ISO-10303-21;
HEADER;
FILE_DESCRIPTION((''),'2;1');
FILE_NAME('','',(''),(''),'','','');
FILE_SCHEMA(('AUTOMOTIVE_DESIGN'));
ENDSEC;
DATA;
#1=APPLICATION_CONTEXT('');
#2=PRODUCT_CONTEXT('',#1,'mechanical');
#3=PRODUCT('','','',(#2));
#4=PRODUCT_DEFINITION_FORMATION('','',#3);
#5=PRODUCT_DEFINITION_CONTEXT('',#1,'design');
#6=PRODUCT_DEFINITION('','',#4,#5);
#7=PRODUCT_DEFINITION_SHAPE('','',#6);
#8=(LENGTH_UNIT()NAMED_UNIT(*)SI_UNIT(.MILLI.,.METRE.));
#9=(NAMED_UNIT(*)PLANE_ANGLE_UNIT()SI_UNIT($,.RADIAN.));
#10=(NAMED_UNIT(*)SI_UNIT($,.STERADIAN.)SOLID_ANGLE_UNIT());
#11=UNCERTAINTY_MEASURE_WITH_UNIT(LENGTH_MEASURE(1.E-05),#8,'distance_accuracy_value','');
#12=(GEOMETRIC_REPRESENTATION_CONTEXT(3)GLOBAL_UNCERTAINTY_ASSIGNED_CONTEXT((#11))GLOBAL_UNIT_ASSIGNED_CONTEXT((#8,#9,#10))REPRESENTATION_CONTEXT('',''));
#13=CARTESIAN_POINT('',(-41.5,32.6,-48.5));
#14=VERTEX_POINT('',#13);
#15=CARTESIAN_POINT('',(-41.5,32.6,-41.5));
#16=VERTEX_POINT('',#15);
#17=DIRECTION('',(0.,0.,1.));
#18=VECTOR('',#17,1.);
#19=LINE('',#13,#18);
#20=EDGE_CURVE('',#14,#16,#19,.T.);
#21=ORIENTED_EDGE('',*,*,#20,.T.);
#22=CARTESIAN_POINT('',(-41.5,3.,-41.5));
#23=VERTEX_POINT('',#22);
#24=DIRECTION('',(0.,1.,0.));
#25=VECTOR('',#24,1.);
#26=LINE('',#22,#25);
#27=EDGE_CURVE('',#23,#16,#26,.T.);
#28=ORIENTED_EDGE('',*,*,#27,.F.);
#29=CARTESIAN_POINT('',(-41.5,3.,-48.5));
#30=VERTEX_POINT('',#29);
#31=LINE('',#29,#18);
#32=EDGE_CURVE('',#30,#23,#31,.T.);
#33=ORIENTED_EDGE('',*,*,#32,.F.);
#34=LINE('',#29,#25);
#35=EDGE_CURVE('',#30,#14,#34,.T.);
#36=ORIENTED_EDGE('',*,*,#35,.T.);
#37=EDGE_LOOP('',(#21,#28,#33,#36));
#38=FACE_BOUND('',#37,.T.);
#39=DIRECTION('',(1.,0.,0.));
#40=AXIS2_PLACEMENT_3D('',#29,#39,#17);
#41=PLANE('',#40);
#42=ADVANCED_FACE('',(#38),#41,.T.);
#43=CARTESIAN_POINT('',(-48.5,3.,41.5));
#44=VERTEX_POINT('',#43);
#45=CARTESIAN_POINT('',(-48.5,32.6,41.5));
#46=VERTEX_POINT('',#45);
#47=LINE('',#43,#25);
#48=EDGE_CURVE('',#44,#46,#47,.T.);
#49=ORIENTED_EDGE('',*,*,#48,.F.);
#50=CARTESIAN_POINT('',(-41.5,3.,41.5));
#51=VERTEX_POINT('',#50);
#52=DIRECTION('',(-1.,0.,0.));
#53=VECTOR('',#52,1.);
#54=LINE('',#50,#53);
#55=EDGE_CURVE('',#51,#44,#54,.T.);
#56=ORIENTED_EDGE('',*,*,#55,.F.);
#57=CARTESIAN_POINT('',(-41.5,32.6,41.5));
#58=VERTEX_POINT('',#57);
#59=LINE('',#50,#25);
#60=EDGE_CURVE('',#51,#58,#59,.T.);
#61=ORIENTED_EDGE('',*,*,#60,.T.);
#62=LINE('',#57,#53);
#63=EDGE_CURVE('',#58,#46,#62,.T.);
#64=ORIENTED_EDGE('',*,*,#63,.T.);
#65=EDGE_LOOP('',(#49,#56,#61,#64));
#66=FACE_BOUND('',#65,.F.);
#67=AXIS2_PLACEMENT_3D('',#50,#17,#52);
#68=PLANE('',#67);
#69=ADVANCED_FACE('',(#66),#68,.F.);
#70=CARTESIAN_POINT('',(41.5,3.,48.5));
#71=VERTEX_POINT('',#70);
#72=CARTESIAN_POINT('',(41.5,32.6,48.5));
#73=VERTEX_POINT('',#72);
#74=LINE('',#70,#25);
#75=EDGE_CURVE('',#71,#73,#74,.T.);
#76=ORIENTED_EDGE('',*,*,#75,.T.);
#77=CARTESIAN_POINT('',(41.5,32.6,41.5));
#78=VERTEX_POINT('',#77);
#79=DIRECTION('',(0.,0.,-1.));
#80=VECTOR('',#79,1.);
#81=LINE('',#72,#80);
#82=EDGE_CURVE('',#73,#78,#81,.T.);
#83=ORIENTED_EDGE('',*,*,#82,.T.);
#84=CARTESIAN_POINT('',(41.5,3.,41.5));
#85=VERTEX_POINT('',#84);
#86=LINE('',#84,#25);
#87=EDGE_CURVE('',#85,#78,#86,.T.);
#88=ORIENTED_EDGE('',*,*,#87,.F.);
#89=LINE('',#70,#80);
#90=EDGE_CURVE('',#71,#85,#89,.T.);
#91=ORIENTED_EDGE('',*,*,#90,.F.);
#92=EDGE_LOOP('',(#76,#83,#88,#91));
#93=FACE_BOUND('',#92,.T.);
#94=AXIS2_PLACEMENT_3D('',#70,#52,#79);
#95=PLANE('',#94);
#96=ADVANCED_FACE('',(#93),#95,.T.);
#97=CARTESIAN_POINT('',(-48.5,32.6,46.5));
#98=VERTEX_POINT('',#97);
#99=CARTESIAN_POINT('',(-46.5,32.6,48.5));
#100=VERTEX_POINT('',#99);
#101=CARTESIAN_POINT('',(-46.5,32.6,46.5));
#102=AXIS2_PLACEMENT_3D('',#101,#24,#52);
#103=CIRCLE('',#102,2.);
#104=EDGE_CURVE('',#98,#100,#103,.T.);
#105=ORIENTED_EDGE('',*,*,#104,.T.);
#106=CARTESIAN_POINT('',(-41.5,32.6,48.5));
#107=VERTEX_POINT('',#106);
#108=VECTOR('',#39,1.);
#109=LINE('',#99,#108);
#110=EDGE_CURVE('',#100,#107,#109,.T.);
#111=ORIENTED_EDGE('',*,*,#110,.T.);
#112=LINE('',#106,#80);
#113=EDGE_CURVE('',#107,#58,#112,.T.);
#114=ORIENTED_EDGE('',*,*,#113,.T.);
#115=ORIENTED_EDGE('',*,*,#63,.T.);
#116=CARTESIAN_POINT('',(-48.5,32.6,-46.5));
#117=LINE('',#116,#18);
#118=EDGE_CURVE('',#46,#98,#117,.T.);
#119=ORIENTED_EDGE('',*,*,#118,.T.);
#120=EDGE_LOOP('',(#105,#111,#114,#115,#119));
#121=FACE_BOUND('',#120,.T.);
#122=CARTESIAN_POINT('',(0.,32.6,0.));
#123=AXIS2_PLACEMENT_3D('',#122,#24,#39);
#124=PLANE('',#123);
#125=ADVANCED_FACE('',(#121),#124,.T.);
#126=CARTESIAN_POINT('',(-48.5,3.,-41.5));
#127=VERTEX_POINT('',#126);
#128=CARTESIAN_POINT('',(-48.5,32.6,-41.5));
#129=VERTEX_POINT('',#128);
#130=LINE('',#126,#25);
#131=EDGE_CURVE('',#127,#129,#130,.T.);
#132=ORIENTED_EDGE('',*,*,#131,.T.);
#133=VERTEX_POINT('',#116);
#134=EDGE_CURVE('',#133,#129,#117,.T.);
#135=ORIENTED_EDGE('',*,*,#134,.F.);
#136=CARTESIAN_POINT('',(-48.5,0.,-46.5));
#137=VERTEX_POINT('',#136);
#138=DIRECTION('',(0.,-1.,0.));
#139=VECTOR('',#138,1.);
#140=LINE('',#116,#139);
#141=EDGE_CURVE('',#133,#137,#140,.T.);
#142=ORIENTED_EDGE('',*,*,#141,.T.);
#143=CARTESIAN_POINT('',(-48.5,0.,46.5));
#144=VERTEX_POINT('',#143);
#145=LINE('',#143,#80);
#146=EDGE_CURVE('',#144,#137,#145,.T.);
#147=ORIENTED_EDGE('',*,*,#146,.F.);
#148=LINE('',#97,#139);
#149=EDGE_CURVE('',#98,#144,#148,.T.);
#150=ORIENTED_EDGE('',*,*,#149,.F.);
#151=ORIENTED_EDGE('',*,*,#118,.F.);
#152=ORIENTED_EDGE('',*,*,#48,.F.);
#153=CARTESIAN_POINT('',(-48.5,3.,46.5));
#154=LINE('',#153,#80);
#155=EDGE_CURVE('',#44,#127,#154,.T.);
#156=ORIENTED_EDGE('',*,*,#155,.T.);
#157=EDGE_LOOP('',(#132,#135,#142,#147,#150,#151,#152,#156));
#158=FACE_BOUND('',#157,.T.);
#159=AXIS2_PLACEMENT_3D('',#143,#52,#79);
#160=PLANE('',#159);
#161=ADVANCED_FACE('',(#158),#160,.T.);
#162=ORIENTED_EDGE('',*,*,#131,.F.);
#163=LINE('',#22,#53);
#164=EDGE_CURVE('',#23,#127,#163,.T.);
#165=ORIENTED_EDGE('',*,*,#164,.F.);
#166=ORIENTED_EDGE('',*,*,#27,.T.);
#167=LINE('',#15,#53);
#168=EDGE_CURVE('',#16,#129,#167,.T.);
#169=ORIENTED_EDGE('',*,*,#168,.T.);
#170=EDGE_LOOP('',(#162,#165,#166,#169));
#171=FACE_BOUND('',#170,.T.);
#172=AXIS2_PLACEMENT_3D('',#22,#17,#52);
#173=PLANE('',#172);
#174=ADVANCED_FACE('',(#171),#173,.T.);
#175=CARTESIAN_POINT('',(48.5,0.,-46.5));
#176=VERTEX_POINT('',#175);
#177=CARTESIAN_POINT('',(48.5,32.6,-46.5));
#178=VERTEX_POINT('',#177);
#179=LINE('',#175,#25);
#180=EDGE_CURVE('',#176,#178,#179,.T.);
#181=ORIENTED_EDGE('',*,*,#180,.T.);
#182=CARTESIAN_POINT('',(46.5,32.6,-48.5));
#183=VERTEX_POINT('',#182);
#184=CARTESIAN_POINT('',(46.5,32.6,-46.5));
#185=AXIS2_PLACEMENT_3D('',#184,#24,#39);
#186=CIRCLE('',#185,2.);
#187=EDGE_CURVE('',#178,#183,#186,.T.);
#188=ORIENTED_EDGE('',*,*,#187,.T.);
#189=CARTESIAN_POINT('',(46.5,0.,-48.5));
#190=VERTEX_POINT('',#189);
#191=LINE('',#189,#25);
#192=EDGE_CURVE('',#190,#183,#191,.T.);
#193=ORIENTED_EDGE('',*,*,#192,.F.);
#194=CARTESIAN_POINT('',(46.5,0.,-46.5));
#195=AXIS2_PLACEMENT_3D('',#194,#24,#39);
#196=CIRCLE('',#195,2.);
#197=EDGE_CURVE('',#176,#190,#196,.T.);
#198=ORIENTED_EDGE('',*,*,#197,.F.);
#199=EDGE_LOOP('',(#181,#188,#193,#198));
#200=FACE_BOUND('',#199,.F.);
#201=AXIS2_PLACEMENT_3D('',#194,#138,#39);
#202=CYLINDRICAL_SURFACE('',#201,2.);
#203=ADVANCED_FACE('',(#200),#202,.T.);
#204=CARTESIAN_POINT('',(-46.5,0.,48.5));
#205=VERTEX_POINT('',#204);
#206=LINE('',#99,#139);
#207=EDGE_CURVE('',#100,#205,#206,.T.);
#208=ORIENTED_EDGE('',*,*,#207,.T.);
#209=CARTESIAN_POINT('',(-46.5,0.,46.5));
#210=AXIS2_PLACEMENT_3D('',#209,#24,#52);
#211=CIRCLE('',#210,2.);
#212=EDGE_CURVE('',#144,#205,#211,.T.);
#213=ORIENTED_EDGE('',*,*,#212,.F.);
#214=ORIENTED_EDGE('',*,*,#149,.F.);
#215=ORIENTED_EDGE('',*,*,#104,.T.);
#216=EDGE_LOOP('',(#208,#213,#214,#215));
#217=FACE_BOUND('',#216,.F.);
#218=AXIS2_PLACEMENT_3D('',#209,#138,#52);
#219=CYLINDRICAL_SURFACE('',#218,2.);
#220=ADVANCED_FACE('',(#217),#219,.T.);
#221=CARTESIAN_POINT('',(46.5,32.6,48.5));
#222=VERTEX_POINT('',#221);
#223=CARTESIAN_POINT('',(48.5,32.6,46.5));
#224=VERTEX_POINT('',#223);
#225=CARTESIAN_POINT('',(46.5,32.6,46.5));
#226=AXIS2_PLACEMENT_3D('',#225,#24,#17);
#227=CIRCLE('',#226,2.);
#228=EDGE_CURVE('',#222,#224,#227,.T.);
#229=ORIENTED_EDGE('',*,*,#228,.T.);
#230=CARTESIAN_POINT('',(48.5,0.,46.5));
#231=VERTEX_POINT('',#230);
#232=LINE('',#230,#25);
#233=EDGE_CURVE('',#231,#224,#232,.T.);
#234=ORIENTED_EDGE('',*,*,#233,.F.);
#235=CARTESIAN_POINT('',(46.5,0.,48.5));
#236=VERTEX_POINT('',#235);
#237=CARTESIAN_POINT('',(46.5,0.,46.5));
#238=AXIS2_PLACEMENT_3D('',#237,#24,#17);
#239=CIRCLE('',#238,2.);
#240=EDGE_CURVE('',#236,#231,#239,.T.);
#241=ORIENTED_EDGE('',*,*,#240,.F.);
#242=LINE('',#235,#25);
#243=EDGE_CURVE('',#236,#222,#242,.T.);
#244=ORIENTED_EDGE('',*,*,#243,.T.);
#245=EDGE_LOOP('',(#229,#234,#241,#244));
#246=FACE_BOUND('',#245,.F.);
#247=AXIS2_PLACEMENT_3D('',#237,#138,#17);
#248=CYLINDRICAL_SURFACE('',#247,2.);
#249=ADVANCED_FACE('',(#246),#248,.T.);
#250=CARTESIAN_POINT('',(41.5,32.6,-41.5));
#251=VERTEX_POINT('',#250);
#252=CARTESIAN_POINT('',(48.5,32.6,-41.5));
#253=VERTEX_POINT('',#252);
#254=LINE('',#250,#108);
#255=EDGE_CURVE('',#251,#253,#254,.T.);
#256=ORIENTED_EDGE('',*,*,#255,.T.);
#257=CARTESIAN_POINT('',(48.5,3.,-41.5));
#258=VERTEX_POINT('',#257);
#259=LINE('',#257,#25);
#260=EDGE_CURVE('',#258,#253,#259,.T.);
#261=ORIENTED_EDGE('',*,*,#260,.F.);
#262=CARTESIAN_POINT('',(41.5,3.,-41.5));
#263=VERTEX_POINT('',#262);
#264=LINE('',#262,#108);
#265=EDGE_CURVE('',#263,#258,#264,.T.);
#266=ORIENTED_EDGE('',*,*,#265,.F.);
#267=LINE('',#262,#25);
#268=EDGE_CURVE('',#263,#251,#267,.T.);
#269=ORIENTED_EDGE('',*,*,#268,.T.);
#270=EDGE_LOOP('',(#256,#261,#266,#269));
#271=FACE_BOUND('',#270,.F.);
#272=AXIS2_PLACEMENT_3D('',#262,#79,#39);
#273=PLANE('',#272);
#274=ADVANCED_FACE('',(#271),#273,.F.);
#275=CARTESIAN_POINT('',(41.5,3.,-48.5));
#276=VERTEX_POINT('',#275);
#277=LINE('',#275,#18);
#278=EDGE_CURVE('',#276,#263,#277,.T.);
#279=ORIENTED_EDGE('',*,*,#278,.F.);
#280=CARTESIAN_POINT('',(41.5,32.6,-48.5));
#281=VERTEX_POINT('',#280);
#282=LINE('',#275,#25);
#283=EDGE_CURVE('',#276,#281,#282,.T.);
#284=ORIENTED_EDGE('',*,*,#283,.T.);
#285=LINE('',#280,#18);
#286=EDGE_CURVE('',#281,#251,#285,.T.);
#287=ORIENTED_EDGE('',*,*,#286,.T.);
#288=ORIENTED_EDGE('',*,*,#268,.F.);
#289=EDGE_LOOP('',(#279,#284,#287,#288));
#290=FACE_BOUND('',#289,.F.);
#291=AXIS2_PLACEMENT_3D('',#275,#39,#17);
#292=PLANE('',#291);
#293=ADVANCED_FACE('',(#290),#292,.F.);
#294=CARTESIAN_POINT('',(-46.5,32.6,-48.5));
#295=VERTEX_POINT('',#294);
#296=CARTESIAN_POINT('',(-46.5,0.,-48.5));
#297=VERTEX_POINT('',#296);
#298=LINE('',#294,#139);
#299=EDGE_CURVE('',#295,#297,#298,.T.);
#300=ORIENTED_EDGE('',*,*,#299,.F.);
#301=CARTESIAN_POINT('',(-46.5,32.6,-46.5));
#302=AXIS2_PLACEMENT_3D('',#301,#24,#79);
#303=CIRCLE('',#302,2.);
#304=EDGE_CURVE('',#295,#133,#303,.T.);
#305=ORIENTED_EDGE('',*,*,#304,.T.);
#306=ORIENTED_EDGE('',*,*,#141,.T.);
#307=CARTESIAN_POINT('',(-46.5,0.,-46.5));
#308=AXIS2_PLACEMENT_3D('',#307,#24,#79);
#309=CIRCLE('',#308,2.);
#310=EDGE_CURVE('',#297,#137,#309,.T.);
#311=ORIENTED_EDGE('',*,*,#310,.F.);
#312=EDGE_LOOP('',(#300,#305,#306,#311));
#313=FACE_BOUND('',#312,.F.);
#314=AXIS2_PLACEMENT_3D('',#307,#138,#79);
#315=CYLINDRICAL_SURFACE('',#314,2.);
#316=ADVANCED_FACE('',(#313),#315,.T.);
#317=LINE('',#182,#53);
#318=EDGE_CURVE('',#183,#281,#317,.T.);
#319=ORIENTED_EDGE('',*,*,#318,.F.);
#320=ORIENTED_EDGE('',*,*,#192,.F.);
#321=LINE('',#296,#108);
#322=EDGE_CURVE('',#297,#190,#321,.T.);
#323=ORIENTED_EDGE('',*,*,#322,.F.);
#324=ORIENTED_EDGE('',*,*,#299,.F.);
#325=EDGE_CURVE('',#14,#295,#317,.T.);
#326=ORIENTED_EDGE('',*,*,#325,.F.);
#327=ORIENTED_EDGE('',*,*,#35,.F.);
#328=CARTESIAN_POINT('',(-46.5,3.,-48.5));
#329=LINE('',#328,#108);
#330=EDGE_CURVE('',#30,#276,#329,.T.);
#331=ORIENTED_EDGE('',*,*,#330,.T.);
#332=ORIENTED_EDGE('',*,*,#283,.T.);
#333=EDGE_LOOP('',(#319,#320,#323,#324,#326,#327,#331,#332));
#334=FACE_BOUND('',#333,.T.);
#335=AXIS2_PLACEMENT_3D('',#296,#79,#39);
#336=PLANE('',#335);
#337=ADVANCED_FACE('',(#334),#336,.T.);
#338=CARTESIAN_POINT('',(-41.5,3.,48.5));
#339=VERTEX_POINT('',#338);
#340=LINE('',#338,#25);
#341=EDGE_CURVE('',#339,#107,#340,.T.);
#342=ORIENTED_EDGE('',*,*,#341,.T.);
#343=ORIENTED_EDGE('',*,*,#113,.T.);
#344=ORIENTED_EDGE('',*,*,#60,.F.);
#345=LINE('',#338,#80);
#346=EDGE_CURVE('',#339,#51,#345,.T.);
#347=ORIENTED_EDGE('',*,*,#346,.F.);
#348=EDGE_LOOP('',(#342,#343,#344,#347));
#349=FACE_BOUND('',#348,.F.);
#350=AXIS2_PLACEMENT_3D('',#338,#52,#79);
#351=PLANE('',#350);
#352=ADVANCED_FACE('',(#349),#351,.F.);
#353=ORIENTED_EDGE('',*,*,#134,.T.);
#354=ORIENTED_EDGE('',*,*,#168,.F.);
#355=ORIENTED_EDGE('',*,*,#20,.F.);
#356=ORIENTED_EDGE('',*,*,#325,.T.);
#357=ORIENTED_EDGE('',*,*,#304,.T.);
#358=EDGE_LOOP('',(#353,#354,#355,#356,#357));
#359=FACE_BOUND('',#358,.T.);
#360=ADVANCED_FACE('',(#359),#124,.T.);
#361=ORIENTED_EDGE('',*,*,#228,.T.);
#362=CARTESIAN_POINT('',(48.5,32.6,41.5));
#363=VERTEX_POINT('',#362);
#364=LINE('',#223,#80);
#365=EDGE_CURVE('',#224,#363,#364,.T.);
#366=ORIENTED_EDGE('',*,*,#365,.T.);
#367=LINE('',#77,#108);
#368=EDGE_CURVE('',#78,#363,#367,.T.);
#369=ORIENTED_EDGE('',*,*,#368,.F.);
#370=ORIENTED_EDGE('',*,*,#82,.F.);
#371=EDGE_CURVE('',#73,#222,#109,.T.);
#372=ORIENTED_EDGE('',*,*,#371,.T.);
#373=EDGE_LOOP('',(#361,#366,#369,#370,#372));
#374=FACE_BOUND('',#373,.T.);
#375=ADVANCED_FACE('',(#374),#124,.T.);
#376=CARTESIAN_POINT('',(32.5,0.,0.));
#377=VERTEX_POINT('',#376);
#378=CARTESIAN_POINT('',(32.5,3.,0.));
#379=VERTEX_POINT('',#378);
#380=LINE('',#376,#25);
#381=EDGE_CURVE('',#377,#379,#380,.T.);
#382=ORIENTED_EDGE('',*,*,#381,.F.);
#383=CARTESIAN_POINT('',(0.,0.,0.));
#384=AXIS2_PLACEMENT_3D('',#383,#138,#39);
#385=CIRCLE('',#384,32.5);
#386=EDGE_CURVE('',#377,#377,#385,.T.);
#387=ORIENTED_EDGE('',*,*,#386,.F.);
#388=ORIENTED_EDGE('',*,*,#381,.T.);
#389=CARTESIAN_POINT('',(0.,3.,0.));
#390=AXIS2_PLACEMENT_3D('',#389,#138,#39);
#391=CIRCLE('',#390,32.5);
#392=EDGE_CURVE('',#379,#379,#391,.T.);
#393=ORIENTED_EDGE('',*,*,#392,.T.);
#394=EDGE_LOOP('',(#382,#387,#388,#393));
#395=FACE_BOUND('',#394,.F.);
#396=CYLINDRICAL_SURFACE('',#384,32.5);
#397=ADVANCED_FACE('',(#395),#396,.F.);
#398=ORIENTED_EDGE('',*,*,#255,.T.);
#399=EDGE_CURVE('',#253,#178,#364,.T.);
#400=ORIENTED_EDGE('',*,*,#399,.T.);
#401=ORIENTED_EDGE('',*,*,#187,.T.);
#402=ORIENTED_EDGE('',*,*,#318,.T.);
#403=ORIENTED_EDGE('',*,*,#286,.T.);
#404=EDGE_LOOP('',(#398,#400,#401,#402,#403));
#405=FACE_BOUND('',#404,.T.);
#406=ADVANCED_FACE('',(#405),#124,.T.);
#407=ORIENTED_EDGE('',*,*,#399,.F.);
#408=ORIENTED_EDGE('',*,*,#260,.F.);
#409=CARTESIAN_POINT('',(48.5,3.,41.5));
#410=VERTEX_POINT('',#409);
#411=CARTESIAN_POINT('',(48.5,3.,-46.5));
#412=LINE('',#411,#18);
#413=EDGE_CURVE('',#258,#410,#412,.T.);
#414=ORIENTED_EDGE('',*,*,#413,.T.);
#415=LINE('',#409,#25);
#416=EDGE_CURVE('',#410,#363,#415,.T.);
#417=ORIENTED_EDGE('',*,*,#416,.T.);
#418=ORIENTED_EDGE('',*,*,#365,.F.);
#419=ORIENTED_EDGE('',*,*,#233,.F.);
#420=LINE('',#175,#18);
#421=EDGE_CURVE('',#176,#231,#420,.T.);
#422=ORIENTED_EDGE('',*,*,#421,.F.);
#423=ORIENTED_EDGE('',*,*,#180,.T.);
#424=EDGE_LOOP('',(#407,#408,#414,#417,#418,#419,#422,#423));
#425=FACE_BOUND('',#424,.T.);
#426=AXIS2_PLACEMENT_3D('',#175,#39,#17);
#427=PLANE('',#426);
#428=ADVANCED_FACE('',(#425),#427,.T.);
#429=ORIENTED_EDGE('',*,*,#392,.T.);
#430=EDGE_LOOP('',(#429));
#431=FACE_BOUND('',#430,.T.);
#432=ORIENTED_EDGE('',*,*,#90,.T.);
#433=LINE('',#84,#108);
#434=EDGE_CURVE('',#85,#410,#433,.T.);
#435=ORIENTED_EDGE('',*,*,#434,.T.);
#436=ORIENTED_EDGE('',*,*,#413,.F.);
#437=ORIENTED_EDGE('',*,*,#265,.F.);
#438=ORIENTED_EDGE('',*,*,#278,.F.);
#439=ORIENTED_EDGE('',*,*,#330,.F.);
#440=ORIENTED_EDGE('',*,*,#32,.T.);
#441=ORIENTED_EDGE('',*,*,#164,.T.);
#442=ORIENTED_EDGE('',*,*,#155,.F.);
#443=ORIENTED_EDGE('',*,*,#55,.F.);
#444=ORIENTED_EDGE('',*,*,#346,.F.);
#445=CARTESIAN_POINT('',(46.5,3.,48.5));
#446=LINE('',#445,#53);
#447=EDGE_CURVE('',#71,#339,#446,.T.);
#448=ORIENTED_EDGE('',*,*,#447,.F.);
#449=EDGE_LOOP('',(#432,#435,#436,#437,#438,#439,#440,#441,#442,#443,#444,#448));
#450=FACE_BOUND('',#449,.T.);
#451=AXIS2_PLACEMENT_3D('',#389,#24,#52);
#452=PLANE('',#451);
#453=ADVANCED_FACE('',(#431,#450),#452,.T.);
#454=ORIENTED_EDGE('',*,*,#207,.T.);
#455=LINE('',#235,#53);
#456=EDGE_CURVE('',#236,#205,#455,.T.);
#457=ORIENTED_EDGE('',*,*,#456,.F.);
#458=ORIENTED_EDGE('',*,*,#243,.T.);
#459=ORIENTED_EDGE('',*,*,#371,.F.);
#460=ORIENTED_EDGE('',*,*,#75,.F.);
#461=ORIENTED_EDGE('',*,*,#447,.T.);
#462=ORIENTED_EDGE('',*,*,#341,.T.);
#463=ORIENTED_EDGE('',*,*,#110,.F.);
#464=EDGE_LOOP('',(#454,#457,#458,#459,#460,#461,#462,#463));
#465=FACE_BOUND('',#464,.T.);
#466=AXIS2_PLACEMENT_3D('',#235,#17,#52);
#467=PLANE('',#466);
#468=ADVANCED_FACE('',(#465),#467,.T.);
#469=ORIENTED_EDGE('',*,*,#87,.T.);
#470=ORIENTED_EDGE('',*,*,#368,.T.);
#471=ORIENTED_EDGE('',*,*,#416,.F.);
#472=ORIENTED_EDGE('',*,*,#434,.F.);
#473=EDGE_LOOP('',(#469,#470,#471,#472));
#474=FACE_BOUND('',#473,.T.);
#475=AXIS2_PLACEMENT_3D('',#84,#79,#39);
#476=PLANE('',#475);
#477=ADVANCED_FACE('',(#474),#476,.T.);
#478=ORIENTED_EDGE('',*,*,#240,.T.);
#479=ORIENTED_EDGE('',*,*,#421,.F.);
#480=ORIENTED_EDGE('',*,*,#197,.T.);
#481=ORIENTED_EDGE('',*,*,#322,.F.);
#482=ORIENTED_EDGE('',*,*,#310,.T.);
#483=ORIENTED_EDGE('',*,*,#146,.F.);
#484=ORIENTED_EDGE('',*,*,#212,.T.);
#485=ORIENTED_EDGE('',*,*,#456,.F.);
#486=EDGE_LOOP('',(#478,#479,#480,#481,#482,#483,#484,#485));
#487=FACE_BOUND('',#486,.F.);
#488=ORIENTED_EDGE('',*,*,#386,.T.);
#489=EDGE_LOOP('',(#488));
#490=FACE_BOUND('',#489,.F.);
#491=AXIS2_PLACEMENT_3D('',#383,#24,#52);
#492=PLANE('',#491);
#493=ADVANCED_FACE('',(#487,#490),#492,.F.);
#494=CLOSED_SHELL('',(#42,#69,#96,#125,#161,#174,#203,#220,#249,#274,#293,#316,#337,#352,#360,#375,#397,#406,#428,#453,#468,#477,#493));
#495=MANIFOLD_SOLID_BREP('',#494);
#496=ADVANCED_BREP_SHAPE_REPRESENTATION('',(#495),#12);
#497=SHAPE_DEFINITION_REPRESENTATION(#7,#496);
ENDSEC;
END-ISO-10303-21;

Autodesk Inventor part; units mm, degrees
ref_plane "YZ Plane" through (0, 0, 0) normal (1, 0, 0) x (0, 1, 0)
ref_plane "XZ Plane" through (0, 0, 0) normal (0, 1, 0) x (-1, 0, 0)
ref_plane "XY Plane" through (0, 0, 0) normal (0, 0, 1) x (1, 0, 0)
sketch "Esboço1" plane through (0, 0, 0) normal (0, 1, 0) x (-1, 0, 0)
  line L0 (-46.5, 48.5) -> (46.5, 48.5)
  line L1 (48.5, 46.5) -> (48.5, -46.5)
  line L2 (46.5, -48.5) -> (-46.5, -48.5)
  line L3 (-48.5, -46.5) -> (-48.5, 46.5)
  line L4 (-48.5, 48.5) -> (48.5, -48.5) construction
  line L5 (48.5, 48.5) -> (-48.5, -48.5) construction
  arc A0 (48.5, 46.5) -> (46.5, 48.5) centre (46.5, 46.5) ccw
  arc A1 (-46.5, 48.5) -> (-48.5, 46.5) centre (-46.5, 46.5) ccw
  arc A2 (-48.5, -46.5) -> (-46.5, -48.5) centre (-46.5, -46.5) ccw
  arc A3 (46.5, -48.5) -> (48.5, -46.5) centre (46.5, -46.5) ccw
  point P0 (0, 0)
  dimension "d0" = 97
  dimension "d1" = 97
  dimension "d2" = 2
extrude "Extrusão1" add sketch "Esboço1" along normal blind 3
sketch "Esboço2" plane through (0, 3, 0) normal (0, 1, 0) x (1, 0, 0)
  line L0 (-46.5, -48.5) -> (46.5, -48.5) projected
  arc A0 (46.5, -48.5) -> (48.5, -46.5) centre (46.5, -46.5) ccw projected
  line L1 (48.5, -46.5) -> (48.5, 46.5) projected
  arc A1 (48.5, 46.5) -> (46.5, 48.5) centre (46.5, 46.5) ccw projected
  line L2 (46.5, 48.5) -> (-46.5, 48.5) projected
  arc A2 (-46.5, 48.5) -> (-48.5, 46.5) centre (-46.5, 46.5) ccw projected
  line L3 (-48.5, 46.5) -> (-48.5, -46.5) projected
  arc A3 (-48.5, -46.5) -> (-46.5, -48.5) centre (-46.5, -46.5) ccw projected
  line L4 (-46.5, -48.5) -> (-41.5, -48.5)
  line L5 (-41.5, -48.5) -> (-41.5, -41.5)
  line L6 (-41.5, -41.5) -> (-48.5, -41.5)
  line L7 (-48.5, -41.5) -> (-48.5, -46.5)
  line L8 (-46.5, 48.5) -> (-41.5, 48.5)
  line L9 (-41.5, 48.5) -> (-41.5, 41.5)
  line L10 (-41.5, 41.5) -> (-48.5, 41.5)
  line L11 (-48.5, 41.5) -> (-48.5, 46.5)
  line L12 (46.5, -48.5) -> (41.5, -48.5)
  line L13 (41.5, -48.5) -> (41.5, -41.5)
  line L14 (41.5, -41.5) -> (48.5, -41.5)
  line L15 (48.5, -41.5) -> (48.5, -46.5)
  line L16 (46.5, 48.5) -> (41.5, 48.5)
  line L17 (41.5, 48.5) -> (41.5, 41.5)
  line L18 (41.5, 41.5) -> (48.5, 41.5)
  line L19 (48.5, 41.5) -> (48.5, 46.5)
  arc A4 (-48.5, -46.5) -> (-46.5, -48.5) centre (-46.5, -46.5) ccw
  arc A5 (-46.5, 48.5) -> (-48.5, 46.5) centre (-46.5, 46.5) ccw
  arc A6 (48.5, 46.5) -> (46.5, 48.5) centre (46.5, 46.5) ccw
  arc A7 (46.5, -48.5) -> (48.5, -46.5) centre (46.5, -46.5) ccw
  point P0 (0, 0)
  point P1 (-48.5, -48.5)
  point P2 (48.5, 48.5)
  dimension "d6" = 7
  dimension "d7" = 7
  dimension "d8" = 7
  dimension "d9" = 7
  dimension "d10" = 7
  dimension "d11" = 7
  dimension "d12" = 7
  dimension "d13" = 7
  dimension "d14" = 2
sketch "Esboço3" plane through (0, 0, 0) normal (0, -1, 0) x (1, 0, 0)
  circle A0 centre (0, 0) radius 32.5
  dimension "d15" = 65
extrude "Extrusão2" cut sketch "Esboço3" against normal blind 3
extrude "Extrusão3" add sketch "Esboço2" along normal blind 29.6 contours A3 L3 L6 L5 L0 | L13 L14 L1 A0 L0 | L3 A2 L2 L9 L10 | L18 L17 L2 A1 L1
properties part number "suporte interno"
